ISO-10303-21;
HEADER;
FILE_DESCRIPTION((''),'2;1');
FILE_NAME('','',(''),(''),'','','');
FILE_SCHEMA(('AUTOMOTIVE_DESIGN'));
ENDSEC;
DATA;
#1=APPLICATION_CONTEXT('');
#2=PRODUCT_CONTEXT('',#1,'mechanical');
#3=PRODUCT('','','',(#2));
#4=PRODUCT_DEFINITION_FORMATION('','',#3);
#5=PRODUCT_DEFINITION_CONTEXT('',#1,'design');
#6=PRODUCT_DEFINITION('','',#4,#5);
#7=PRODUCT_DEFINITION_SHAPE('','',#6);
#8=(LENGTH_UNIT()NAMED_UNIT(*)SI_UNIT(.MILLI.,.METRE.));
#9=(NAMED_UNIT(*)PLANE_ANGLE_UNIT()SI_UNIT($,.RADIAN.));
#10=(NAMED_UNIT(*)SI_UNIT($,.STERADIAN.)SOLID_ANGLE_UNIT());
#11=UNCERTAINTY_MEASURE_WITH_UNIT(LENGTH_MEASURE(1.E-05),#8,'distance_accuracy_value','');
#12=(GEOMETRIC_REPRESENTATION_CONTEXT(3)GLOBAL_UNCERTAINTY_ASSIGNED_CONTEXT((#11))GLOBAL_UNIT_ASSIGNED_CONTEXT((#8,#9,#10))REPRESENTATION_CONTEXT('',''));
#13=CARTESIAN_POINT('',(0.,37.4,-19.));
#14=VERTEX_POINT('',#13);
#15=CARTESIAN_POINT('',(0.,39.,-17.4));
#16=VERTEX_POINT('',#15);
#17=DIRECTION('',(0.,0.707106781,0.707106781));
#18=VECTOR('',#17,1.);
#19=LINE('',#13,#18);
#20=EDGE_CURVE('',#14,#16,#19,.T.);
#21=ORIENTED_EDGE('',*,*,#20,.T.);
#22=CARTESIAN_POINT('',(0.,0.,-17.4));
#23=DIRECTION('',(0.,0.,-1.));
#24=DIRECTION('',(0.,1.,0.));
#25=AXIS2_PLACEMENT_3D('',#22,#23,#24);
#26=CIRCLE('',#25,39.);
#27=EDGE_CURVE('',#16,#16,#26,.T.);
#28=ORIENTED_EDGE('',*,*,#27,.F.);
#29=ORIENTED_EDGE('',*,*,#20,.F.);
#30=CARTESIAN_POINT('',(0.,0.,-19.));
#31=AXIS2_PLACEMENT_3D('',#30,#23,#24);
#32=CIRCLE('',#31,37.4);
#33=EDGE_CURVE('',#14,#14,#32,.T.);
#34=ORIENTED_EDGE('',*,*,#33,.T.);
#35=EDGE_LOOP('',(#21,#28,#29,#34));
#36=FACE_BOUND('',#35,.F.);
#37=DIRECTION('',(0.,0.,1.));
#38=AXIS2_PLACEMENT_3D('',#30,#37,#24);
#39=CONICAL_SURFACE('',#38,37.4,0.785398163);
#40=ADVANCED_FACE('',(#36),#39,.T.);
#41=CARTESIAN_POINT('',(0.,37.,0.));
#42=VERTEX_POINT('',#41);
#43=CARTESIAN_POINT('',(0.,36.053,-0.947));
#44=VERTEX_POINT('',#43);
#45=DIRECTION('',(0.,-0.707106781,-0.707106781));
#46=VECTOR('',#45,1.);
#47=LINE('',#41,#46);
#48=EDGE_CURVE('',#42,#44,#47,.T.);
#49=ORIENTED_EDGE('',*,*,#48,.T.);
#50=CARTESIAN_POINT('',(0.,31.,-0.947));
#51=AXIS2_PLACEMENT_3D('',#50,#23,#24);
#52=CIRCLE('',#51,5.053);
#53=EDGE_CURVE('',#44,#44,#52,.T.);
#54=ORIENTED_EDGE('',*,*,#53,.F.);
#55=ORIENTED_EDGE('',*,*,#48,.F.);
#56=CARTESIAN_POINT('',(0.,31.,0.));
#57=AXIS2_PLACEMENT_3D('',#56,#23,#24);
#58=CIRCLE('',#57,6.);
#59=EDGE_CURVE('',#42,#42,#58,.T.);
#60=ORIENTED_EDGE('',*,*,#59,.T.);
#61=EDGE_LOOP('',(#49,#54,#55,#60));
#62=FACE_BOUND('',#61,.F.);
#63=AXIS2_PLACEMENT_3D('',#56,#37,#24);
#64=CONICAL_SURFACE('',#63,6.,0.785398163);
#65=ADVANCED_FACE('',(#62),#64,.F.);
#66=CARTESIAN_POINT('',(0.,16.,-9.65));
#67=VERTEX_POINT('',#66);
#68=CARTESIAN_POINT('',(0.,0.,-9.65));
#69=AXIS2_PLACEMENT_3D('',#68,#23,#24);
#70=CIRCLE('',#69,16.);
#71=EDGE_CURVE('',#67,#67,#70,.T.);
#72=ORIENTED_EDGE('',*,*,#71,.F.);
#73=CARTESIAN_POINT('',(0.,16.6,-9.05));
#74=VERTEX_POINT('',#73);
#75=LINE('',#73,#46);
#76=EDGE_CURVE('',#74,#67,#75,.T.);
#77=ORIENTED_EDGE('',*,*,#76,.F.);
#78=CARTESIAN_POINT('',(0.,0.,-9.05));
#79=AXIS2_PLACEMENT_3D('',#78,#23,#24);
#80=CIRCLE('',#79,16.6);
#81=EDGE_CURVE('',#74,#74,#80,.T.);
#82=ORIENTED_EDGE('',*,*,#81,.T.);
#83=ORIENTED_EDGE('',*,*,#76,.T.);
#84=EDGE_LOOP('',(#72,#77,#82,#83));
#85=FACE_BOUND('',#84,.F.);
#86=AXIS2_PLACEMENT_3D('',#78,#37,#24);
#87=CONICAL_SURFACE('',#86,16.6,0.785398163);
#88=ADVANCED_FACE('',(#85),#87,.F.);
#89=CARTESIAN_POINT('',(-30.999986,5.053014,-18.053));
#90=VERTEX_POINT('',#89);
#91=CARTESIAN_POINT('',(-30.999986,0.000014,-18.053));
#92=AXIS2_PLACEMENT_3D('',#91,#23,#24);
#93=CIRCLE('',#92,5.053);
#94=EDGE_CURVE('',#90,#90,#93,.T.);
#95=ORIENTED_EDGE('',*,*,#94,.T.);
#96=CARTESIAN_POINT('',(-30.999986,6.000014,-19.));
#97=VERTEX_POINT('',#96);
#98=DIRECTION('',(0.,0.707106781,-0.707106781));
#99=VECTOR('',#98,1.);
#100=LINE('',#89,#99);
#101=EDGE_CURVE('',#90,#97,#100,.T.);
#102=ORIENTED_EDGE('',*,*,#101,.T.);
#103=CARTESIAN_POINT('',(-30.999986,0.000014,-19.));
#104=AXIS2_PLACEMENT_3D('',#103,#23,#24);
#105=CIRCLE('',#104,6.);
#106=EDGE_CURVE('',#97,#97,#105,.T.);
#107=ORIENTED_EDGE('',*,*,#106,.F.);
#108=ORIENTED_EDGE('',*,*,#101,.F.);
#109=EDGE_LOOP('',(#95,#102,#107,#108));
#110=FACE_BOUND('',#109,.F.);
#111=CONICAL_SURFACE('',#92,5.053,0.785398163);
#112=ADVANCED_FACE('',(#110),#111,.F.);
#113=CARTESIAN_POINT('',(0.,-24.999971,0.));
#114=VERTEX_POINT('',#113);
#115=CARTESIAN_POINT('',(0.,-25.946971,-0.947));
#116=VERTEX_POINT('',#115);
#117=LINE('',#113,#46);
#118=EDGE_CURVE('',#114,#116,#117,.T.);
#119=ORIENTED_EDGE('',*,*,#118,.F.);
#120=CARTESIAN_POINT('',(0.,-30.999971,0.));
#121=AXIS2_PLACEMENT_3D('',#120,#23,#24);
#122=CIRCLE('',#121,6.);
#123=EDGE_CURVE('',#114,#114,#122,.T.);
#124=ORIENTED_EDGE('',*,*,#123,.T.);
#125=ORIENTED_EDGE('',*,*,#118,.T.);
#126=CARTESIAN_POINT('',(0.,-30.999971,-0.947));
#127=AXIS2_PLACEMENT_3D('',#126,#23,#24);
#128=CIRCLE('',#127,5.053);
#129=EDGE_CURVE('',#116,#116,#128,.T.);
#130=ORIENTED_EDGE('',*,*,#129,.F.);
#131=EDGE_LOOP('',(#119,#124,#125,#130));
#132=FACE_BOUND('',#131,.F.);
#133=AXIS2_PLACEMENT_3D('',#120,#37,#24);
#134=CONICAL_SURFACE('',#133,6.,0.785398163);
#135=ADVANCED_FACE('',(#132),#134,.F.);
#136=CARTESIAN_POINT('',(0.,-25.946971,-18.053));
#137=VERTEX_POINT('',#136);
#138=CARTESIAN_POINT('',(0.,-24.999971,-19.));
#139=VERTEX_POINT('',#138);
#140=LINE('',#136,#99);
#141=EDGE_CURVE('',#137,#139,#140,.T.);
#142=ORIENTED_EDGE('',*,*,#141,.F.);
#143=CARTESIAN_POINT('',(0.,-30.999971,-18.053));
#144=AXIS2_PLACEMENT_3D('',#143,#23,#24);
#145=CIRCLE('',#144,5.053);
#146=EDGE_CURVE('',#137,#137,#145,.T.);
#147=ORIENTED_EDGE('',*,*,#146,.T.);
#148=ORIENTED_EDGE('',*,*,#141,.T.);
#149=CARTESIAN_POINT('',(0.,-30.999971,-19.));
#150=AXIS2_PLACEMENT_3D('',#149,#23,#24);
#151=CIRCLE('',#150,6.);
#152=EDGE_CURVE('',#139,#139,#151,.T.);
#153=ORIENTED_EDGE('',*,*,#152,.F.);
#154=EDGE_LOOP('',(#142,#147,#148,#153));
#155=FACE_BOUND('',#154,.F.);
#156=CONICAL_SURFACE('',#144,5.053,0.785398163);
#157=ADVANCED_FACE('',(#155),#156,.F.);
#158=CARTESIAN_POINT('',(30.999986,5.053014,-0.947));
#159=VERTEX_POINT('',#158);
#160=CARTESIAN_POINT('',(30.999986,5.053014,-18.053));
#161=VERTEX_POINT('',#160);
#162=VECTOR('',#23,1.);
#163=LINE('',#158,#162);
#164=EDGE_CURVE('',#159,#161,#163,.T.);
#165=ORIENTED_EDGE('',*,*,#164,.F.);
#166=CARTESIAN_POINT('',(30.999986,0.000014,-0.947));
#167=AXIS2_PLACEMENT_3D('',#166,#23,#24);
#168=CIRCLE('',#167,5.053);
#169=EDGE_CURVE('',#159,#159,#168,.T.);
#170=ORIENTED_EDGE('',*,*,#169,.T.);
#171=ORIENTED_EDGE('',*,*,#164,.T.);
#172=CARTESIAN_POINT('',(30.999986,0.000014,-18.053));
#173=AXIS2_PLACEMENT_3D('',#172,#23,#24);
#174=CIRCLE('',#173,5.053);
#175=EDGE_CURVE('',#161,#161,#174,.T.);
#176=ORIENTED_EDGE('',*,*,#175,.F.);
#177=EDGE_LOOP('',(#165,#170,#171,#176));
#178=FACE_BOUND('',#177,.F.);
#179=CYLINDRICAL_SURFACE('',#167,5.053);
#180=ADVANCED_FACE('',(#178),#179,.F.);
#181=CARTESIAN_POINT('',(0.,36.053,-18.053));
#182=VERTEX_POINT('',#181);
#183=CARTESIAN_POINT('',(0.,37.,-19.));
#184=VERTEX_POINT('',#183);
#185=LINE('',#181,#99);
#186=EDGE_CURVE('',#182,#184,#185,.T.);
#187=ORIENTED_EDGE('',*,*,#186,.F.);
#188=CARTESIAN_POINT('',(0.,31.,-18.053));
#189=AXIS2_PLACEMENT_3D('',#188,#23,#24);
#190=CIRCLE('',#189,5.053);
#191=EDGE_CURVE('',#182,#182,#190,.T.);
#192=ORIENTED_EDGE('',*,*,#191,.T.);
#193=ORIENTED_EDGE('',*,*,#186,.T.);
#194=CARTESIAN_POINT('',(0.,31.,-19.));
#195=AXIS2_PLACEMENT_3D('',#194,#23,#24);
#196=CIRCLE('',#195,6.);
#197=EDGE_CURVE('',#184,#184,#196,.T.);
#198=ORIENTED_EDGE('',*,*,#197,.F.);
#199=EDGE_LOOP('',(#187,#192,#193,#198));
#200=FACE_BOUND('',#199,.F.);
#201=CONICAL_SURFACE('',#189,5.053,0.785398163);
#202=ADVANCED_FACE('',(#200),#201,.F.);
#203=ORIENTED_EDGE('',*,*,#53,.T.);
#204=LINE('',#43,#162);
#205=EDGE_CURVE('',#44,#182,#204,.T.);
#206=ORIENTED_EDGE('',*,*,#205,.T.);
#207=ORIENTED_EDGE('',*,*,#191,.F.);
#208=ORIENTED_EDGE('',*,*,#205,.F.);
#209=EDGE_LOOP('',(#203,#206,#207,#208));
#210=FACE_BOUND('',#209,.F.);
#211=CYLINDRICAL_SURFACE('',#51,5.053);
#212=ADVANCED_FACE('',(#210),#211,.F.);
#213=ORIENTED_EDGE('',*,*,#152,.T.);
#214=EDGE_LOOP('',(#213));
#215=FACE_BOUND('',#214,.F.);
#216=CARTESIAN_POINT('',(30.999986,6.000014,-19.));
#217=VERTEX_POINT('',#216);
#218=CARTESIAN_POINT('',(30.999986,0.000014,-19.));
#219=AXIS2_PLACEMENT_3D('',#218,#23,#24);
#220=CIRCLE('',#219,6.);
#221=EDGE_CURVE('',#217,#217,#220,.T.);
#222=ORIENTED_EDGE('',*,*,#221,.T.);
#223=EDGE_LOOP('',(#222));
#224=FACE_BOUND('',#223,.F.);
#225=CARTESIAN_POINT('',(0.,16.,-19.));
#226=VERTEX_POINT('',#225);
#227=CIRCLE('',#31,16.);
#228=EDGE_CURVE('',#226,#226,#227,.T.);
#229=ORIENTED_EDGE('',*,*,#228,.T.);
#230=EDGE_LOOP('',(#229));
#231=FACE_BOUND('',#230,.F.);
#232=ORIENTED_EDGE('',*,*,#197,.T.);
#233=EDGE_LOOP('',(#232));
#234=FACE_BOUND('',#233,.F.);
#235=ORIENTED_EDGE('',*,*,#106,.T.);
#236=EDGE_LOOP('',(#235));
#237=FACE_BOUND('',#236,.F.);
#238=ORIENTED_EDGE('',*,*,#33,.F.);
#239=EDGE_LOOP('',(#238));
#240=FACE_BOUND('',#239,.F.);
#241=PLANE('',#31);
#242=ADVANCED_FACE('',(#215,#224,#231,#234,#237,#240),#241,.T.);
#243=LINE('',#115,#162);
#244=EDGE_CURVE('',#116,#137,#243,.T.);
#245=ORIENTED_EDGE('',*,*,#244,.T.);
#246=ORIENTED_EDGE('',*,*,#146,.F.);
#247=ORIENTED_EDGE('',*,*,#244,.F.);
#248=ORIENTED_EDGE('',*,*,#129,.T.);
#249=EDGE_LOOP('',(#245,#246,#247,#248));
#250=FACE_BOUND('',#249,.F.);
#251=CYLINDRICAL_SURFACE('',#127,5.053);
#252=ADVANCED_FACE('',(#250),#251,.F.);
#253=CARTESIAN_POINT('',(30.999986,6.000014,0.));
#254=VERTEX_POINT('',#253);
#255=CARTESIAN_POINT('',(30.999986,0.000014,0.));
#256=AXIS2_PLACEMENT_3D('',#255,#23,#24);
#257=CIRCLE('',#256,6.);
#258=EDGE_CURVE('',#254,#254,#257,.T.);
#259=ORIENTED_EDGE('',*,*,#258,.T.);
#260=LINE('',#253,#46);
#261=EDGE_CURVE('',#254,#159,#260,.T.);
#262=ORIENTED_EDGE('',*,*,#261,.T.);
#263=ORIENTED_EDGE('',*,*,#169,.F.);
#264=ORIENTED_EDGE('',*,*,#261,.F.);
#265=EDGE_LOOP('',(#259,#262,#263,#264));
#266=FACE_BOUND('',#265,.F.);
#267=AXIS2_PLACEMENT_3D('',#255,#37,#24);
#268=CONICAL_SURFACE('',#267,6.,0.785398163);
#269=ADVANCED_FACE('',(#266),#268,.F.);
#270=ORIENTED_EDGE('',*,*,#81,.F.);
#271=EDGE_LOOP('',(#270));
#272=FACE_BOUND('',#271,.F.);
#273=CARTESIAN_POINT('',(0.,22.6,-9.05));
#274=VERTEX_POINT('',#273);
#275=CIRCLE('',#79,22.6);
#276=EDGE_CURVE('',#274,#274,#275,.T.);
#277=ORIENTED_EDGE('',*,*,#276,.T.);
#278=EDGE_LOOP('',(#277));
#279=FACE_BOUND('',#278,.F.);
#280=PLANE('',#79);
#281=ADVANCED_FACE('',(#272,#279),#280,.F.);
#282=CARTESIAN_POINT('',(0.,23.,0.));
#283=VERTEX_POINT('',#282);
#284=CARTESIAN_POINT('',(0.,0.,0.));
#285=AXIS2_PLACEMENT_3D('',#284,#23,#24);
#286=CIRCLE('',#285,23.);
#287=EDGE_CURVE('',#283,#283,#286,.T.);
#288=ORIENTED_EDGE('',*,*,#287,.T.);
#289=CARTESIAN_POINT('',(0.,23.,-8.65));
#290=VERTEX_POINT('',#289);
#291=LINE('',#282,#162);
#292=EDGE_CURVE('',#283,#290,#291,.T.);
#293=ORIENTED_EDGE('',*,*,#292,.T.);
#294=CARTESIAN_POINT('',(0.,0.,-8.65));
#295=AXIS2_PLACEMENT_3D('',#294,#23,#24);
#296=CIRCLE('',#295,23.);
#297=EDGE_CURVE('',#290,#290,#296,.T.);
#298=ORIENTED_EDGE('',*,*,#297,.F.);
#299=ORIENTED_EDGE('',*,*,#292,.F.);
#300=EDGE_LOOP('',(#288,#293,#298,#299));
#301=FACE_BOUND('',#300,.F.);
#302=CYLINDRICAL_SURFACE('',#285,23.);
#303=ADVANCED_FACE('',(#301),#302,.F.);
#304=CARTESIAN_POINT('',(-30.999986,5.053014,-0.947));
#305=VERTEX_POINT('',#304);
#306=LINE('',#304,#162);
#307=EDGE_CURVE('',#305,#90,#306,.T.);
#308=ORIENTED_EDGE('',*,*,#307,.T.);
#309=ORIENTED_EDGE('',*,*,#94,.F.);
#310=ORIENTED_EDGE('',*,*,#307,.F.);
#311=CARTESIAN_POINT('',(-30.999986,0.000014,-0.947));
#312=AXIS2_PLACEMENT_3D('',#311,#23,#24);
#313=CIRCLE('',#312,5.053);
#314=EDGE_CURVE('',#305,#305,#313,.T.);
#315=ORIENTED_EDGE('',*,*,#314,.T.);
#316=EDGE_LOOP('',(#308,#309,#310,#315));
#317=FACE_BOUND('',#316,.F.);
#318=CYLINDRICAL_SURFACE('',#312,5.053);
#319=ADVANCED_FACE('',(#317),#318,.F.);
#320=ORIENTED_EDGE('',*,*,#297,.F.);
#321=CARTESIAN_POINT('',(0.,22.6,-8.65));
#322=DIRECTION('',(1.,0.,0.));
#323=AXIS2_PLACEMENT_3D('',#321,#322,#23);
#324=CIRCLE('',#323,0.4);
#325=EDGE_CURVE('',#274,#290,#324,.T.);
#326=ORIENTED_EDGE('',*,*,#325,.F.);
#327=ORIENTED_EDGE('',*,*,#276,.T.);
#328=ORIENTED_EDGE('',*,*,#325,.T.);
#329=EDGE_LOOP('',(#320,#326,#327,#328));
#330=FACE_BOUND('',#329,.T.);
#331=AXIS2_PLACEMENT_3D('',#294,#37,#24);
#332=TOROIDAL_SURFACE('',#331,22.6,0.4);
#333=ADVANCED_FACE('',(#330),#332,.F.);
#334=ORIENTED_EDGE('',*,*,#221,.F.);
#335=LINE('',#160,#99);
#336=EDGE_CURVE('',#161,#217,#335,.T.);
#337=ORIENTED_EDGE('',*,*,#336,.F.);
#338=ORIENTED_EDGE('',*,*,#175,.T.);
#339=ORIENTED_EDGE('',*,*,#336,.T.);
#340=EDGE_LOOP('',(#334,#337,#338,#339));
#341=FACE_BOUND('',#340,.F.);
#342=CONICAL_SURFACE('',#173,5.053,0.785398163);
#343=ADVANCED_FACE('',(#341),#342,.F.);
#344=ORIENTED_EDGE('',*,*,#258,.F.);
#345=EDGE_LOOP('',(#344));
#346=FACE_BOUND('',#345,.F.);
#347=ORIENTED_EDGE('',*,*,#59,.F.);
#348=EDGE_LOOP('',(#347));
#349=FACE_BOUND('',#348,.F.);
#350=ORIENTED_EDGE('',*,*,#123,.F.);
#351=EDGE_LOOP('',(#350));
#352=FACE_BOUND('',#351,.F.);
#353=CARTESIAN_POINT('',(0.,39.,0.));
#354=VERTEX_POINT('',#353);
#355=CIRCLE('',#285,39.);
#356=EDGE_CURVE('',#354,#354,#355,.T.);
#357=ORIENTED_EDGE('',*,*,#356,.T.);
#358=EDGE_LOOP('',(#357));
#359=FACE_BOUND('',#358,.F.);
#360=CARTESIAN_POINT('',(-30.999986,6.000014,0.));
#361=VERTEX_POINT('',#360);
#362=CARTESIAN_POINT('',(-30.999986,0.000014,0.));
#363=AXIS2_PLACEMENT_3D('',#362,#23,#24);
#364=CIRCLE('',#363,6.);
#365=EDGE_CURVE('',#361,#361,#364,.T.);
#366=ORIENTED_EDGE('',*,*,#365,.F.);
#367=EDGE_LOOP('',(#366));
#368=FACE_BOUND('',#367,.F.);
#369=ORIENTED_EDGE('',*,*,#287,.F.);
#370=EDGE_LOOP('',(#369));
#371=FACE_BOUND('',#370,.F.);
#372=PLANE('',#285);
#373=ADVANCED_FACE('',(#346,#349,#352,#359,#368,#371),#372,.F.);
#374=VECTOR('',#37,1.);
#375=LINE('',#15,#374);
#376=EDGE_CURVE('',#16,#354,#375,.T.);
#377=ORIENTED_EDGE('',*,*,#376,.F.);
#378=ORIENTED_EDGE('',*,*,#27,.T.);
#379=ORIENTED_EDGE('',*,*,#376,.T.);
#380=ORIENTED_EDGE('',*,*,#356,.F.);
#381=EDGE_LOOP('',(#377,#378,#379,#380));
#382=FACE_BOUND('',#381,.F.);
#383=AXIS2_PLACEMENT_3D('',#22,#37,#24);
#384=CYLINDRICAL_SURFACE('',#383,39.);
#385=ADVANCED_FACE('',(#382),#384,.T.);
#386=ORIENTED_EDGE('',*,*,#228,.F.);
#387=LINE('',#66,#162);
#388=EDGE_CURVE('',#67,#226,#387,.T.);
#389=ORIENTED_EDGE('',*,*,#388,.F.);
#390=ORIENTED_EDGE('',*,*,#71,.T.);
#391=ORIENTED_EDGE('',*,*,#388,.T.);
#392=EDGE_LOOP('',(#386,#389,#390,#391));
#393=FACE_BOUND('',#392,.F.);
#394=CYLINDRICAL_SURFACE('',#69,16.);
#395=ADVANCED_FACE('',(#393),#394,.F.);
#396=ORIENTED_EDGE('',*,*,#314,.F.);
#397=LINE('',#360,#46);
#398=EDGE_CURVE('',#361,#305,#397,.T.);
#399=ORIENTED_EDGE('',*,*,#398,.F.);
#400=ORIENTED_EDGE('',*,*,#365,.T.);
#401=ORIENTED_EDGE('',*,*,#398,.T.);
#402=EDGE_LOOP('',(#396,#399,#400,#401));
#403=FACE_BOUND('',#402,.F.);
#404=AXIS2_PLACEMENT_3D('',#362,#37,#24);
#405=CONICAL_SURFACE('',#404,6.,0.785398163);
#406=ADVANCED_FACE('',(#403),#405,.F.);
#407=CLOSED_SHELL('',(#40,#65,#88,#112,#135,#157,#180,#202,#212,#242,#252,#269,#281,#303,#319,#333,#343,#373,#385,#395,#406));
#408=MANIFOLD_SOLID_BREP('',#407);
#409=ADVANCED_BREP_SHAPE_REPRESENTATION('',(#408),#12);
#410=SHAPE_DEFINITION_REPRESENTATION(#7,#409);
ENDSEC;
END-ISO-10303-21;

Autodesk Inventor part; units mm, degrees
sketch "Sketch_1" plane through (0, 0, 0) normal (1, 0, 0) x (0, 1, 0)
  line L0 (0, -19) -> (0, 0)
  line L1 (23, 0) -> (23, -8.65)
  arc A0 (22.6, -9.05) -> (23, -8.65) centre (22.6, -8.65) ccw
  line L2 (22.6, -9.05) -> (16.6, -9.05)
  line L3 (16.6, -9.05) -> (16, -9.65)
  line L4 (16, -9.65) -> (16, -19)
  line L5 (16, -19) -> (37.4, -19)
  line L6 (37.4, -19) -> (39, -17.4)
  line L7 (39, -17.4) -> (39, 0)
  line L8 (39, 0) -> (23, 0)
revolve "Revolution1" add sketch "Sketch_1" angle 360 about axis through (0, 0, -19) along (0, 0, -1)
sketch "Sketch_2" plane through (0, 0, 0) normal (1, 0, 0) x (0, 1, 0)
  line L0 (31, -19) -> (31, 0)
  line L1 (31, 0) -> (37, 0)
  line L2 (37, 0) -> (36.053, -0.947)
  line L3 (36.053, -0.947) -> (36.053, -18.053)
  line L4 (36.053, -18.053) -> (37, -19)
  line L5 (37, -19) -> (31, -19)
  line L6 (31, -19) -> (31, 0)
revolve "Revolution2" cut sketch "Sketch_2" angle 360 about axis through (0, 31, -19) along (0, 0, -1)
thread "Thread1" size "M12x1.75" class "6H" standard "ISO Metric profile" full length
pattern_linear "Rectangular Pattern1" count 2 spacing 43.8406 along (-0.7071, -0.7071, 0) count 2 spacing 43.8406 along (0.7071, -0.7071, 0) of "Revolution2"
ref_plane "ANBAU_XY" through (0, 0, 0) normal (0, 0, 1) x (1, 0, 0)
ref_plane "ANBAU_YZ" through (0, 0, 0) normal (1, 0, 0) x (0, 1, 0)
ref_plane "ANBAU_ZX" through (0, 0, 0) normal (0, 1, 0) x (0, 0, 1)
ref_plane "EP_IP_XY" through (0, 0, -9.05) normal (0, 0, -1) x (1, 0, 0)
ref_plane "EP_IP_YZ" through (0, 0, -9.05) normal (1, 0, 0) x (0, -1, 0)
ref_plane "EP_IP_ZX" through (0, 0, -9.05) normal (0, -1, 0) x (0, 0, -1)
properties part number "1559396 EAGF-V2-KF-100---(R)"
